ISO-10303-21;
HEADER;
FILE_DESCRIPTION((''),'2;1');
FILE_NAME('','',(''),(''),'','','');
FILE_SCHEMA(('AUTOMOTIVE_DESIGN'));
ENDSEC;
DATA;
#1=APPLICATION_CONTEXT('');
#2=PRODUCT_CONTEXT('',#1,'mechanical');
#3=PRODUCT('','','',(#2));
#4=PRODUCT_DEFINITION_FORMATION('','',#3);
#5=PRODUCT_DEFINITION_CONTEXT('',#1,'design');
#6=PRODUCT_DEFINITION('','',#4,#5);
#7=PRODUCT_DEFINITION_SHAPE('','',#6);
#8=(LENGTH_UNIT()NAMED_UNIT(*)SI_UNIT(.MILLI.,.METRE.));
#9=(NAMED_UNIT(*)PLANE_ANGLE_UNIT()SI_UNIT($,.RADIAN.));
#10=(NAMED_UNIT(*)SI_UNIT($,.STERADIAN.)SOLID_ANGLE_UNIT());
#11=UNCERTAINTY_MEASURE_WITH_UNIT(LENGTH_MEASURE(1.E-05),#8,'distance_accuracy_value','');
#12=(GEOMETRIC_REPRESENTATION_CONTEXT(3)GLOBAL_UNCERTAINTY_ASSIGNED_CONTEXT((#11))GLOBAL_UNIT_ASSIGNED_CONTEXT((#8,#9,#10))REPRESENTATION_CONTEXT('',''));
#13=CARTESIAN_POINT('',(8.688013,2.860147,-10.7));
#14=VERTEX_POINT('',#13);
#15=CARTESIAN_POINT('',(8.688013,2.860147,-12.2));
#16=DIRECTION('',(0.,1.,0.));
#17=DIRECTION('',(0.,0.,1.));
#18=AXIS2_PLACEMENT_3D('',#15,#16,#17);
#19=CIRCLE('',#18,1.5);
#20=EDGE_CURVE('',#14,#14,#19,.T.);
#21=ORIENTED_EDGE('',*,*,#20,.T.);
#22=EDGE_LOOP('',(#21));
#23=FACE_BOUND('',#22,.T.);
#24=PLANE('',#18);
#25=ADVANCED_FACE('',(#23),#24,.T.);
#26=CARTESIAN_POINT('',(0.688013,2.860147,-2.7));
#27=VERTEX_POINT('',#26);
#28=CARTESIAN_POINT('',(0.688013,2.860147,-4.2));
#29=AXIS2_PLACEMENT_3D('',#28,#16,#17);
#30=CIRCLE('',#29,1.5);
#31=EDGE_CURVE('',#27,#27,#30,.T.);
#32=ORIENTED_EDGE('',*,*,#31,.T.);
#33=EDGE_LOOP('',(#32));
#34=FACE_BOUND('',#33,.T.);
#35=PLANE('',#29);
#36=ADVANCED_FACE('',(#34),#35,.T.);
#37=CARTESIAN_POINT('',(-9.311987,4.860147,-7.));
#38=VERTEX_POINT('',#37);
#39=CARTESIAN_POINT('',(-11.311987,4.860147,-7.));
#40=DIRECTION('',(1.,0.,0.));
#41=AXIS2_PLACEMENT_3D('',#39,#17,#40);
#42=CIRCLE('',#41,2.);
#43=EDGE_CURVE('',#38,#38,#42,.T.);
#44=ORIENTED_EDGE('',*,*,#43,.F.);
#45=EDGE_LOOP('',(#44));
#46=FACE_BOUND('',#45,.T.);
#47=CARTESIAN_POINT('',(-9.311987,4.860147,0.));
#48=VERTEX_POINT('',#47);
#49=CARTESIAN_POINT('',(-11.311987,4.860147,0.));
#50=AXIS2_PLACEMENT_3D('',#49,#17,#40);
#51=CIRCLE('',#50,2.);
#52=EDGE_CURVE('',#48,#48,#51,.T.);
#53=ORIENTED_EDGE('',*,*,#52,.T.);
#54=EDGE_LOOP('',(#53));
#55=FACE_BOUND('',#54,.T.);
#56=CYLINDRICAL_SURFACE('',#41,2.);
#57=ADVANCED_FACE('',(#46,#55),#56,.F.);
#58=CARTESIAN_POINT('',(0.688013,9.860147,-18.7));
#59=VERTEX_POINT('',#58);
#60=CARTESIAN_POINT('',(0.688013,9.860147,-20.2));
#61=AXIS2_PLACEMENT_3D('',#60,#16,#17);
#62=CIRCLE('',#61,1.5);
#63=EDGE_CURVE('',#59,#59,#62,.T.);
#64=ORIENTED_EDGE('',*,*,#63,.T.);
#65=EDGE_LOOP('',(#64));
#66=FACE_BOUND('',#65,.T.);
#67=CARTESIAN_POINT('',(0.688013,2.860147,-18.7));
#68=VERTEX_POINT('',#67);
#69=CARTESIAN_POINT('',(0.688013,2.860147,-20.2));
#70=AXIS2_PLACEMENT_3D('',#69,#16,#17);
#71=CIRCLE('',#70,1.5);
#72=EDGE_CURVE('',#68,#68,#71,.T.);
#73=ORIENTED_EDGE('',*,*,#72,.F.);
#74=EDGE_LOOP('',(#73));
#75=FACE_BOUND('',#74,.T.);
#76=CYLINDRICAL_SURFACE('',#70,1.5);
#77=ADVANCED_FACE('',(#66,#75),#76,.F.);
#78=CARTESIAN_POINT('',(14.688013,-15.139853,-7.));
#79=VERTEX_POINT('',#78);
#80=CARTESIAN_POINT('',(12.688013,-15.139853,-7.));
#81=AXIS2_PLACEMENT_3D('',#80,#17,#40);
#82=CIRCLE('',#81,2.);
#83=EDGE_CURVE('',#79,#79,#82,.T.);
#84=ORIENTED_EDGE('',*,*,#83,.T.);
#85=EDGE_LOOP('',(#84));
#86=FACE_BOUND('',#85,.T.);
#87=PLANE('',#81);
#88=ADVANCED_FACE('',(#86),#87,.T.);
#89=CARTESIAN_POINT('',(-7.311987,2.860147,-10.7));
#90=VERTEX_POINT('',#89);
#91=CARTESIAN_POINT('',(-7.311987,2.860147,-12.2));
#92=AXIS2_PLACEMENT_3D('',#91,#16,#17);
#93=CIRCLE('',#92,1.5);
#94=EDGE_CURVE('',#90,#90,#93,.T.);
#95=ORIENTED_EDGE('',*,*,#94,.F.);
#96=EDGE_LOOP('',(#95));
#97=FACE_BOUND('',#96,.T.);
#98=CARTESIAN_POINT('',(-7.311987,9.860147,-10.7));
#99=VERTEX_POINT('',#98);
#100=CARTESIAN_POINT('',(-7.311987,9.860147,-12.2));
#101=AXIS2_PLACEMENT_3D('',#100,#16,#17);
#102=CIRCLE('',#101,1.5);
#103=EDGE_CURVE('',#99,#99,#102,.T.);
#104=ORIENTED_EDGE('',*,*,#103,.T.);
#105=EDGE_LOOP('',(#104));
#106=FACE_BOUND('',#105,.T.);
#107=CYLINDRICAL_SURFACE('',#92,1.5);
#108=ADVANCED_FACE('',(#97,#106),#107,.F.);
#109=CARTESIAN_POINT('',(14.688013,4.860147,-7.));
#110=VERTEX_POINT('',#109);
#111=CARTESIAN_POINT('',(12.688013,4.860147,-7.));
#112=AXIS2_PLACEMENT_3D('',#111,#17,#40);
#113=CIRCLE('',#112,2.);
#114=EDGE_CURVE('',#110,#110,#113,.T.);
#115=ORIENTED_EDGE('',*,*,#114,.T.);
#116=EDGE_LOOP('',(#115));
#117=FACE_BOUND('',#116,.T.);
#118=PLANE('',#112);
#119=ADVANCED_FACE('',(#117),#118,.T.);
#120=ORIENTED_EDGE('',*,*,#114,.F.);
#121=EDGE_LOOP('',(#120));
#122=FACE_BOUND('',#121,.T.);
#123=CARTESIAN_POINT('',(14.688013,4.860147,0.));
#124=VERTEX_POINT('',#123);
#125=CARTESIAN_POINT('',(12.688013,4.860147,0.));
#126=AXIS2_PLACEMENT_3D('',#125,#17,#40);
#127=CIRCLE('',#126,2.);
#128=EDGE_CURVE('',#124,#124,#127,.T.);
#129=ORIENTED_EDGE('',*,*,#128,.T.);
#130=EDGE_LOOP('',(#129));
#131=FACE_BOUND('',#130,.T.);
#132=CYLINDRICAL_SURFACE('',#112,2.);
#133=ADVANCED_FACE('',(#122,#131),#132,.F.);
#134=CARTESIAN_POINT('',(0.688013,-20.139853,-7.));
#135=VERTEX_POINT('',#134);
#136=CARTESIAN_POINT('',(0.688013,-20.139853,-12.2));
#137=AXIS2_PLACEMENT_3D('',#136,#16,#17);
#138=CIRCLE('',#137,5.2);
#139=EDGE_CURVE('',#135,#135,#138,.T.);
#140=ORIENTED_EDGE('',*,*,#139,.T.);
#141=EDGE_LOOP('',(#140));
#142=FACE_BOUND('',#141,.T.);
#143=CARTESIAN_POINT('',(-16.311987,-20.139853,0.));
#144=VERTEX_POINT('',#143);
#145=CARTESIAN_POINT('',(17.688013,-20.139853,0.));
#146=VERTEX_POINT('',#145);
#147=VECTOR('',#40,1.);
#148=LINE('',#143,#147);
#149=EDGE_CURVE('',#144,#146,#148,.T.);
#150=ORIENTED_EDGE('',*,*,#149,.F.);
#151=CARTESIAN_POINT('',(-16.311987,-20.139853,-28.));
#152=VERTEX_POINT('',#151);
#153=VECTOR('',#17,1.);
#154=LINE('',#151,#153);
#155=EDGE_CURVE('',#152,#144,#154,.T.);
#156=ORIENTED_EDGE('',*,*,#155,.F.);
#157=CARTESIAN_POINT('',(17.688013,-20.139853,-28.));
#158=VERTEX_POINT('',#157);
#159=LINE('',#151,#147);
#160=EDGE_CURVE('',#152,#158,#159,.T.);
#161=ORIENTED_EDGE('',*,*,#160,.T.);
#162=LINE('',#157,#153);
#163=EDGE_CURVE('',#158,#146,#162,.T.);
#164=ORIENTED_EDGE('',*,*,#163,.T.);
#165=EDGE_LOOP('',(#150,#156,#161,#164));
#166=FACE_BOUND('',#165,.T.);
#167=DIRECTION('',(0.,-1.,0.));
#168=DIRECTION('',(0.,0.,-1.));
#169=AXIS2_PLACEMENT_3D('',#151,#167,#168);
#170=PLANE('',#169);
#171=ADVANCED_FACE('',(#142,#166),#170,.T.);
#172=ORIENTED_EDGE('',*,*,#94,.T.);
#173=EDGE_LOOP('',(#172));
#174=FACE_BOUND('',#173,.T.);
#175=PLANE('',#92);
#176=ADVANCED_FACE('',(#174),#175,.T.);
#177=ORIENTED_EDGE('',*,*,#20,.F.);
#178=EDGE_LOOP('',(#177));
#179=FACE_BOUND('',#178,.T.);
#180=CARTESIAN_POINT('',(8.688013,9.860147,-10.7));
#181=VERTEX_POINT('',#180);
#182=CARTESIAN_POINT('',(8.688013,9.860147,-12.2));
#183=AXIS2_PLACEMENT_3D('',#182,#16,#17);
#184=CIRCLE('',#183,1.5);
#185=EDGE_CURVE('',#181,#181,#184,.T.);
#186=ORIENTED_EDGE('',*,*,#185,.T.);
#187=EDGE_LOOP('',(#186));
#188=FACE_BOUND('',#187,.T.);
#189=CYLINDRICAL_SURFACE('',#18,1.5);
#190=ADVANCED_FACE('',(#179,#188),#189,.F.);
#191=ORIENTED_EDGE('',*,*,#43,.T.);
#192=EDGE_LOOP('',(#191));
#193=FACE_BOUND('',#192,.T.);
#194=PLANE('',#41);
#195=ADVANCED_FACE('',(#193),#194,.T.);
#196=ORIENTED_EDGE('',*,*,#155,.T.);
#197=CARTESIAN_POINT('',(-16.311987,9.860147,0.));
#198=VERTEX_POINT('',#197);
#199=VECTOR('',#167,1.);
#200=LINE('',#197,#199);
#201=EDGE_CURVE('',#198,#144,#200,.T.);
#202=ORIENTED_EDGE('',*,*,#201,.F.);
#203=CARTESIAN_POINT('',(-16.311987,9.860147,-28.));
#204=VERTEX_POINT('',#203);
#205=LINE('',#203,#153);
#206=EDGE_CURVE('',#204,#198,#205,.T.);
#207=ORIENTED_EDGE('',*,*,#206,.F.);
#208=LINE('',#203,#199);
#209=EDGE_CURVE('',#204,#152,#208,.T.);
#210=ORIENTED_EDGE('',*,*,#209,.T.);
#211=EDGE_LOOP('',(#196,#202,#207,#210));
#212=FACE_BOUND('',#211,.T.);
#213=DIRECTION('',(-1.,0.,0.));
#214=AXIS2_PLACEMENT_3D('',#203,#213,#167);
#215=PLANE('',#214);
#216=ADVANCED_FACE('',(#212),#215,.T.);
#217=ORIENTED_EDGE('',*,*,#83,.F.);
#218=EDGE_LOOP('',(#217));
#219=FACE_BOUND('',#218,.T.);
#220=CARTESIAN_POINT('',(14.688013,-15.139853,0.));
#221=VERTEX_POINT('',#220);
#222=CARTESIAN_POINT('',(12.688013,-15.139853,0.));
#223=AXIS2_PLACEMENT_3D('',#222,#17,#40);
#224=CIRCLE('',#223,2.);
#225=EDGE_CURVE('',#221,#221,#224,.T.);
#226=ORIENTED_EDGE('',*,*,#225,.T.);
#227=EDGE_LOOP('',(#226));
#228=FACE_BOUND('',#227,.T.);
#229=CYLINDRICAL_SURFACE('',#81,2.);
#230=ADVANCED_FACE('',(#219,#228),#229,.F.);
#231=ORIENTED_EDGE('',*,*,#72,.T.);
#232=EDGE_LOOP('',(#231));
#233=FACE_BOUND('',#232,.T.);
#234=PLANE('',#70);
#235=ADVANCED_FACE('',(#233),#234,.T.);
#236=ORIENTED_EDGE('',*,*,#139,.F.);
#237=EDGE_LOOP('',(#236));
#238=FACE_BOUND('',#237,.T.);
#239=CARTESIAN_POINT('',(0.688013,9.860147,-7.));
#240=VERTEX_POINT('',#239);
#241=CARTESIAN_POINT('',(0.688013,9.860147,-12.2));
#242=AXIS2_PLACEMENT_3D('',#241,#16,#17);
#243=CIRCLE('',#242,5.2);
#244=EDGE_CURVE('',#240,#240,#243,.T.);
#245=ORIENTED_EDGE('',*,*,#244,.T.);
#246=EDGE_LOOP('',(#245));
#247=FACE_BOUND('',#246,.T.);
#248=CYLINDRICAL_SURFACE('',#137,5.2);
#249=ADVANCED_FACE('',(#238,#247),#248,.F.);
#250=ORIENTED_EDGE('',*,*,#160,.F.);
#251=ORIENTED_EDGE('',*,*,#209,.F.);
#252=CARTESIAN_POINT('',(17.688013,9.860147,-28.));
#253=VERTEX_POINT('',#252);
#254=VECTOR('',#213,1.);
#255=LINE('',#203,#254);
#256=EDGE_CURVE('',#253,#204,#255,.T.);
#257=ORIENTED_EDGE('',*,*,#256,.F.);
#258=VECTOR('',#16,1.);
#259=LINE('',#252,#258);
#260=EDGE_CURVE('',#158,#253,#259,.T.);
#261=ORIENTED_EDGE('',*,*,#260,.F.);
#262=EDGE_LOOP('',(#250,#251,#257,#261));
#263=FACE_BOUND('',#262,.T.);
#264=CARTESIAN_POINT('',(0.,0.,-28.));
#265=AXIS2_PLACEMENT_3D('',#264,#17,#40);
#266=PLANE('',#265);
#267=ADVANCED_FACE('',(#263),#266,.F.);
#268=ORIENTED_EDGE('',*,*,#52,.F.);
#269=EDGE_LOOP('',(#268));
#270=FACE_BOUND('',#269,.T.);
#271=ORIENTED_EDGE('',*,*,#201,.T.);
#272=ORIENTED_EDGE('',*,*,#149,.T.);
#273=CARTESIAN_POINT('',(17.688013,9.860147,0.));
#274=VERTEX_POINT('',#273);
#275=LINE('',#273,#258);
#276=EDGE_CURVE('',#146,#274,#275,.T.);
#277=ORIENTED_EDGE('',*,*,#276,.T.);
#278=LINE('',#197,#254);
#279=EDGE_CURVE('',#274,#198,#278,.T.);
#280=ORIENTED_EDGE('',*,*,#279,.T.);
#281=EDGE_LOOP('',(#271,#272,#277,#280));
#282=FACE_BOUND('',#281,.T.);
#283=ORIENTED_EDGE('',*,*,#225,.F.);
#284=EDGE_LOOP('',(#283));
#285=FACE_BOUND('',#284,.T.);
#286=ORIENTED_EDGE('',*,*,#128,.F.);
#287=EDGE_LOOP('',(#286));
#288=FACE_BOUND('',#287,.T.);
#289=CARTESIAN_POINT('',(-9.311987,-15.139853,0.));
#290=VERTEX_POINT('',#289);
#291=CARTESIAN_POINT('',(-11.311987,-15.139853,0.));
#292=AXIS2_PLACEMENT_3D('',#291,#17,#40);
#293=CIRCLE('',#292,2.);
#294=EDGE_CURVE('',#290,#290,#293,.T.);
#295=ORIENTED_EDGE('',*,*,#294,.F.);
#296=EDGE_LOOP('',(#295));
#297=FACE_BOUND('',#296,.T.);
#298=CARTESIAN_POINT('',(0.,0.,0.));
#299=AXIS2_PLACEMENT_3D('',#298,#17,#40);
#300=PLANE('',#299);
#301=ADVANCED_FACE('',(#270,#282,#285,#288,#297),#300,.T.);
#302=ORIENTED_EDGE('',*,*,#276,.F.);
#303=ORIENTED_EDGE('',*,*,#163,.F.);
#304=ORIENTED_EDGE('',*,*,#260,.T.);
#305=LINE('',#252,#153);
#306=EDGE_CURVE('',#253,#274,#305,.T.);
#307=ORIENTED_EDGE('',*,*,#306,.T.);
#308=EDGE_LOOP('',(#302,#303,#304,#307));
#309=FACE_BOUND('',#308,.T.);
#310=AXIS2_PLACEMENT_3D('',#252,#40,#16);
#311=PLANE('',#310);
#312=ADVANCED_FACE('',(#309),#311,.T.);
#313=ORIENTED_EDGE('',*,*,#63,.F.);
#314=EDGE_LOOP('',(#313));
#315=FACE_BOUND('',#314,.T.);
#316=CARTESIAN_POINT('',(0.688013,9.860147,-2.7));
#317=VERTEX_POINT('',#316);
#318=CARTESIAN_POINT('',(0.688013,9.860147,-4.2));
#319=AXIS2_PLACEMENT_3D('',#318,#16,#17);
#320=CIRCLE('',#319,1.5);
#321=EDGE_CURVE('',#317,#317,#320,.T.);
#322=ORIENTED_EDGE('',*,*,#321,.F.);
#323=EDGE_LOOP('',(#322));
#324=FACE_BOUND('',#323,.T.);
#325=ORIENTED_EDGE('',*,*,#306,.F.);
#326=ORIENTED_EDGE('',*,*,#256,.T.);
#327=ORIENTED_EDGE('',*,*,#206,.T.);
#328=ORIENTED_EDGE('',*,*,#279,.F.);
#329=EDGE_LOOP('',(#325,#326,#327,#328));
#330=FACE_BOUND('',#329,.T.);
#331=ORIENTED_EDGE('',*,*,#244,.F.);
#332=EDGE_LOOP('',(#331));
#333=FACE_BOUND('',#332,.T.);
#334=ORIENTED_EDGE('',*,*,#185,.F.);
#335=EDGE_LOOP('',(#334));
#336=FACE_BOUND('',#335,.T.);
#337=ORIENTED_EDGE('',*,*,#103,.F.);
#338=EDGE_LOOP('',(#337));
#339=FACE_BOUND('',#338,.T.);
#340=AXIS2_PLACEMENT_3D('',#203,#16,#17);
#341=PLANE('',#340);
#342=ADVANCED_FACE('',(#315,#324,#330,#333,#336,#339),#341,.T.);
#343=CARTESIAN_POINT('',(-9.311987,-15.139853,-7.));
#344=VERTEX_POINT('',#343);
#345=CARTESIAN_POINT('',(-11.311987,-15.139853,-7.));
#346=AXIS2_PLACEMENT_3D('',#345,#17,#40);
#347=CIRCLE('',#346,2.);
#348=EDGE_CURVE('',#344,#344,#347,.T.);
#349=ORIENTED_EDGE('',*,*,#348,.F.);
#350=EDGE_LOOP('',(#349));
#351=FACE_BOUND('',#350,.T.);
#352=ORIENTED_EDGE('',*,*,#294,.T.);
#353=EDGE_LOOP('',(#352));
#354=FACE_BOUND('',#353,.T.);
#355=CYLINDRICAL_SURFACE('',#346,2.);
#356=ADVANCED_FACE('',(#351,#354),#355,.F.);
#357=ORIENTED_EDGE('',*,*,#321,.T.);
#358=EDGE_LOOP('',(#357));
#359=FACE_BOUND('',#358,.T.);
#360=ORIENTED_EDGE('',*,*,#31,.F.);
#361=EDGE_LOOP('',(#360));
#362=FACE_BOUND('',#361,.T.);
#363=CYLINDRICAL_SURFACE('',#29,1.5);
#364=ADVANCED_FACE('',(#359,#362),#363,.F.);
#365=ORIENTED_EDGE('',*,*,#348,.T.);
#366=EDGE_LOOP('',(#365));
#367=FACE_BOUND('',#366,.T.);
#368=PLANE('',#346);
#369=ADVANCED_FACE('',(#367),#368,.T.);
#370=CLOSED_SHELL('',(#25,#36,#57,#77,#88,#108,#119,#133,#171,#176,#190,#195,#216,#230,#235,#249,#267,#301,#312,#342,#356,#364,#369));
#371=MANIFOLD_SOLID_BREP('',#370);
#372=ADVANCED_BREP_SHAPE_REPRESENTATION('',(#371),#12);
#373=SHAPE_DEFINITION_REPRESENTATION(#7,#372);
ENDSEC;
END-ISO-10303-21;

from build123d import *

# Parameters (mm, degrees)
SKETCH_1_W          = 34
SKETCH_1_H          = 30
EXTRUDE_1_DEPTH     = 28
SKETCH_2_R          = 2
CUT_EXTRUDE_1_DEPTH = 7
SKETCH_3_R          = 5.2
CUT_EXTRUDE_3_DEPTH = 31
SKETCH_5_R          = 1.5
CUT_EXTRUDE_4_DEPTH = 7


with BuildPart() as part:
    # 草图1 → 凸台-拉伸1 (new body)
    with BuildSketch(Plane.XY):
        with Locations((0.688013078, -5.139852888)):
            Rectangle(SKETCH_1_W, SKETCH_1_H)
    extrude(amount=-EXTRUDE_1_DEPTH)

    # 草图2 → 切除-拉伸1 (cut)
    with BuildSketch(Plane.XY):
        with Locations((-11.311986922, 4.86014711)):
            Circle(SKETCH_2_R)
        with Locations((12.688013078, 4.86014711)):
            Circle(SKETCH_2_R)
        with Locations((12.688013078, -15.13985289)):
            Circle(SKETCH_2_R)
        with Locations((-11.311986922, -15.13985289)):
            Circle(SKETCH_2_R)
    extrude(amount=-CUT_EXTRUDE_1_DEPTH, mode=Mode.SUBTRACT)

    # 草图3 → 切除-拉伸3 (cut, through all)
    with BuildSketch(Plane(origin=(0, 9.860147112, 0), x_dir=(1, 0, 0), z_dir=(0, 1, 0))):
        with Locations((0.688013078, 12.2)):
            Circle(SKETCH_3_R)
    extrude(amount=-CUT_EXTRUDE_3_DEPTH, mode=Mode.SUBTRACT)

    # 草图5 → 切除-拉伸4 (cut)
    with BuildSketch(Plane(origin=(0, 9.860147112, 0), x_dir=(1, 0, 0), z_dir=(0, 1, 0))):
        with Locations((0.688013078, 4.2)):
            Circle(SKETCH_5_R)
        with Locations((8.688013078, 12.2)):
            Circle(SKETCH_5_R)
        with Locations((0.688013078, 20.2)):
            Circle(SKETCH_5_R)
        with Locations((-7.311986922, 12.2)):
            Circle(SKETCH_5_R)
    extrude(amount=-CUT_EXTRUDE_4_DEPTH, mode=Mode.SUBTRACT)


solid = part.part
